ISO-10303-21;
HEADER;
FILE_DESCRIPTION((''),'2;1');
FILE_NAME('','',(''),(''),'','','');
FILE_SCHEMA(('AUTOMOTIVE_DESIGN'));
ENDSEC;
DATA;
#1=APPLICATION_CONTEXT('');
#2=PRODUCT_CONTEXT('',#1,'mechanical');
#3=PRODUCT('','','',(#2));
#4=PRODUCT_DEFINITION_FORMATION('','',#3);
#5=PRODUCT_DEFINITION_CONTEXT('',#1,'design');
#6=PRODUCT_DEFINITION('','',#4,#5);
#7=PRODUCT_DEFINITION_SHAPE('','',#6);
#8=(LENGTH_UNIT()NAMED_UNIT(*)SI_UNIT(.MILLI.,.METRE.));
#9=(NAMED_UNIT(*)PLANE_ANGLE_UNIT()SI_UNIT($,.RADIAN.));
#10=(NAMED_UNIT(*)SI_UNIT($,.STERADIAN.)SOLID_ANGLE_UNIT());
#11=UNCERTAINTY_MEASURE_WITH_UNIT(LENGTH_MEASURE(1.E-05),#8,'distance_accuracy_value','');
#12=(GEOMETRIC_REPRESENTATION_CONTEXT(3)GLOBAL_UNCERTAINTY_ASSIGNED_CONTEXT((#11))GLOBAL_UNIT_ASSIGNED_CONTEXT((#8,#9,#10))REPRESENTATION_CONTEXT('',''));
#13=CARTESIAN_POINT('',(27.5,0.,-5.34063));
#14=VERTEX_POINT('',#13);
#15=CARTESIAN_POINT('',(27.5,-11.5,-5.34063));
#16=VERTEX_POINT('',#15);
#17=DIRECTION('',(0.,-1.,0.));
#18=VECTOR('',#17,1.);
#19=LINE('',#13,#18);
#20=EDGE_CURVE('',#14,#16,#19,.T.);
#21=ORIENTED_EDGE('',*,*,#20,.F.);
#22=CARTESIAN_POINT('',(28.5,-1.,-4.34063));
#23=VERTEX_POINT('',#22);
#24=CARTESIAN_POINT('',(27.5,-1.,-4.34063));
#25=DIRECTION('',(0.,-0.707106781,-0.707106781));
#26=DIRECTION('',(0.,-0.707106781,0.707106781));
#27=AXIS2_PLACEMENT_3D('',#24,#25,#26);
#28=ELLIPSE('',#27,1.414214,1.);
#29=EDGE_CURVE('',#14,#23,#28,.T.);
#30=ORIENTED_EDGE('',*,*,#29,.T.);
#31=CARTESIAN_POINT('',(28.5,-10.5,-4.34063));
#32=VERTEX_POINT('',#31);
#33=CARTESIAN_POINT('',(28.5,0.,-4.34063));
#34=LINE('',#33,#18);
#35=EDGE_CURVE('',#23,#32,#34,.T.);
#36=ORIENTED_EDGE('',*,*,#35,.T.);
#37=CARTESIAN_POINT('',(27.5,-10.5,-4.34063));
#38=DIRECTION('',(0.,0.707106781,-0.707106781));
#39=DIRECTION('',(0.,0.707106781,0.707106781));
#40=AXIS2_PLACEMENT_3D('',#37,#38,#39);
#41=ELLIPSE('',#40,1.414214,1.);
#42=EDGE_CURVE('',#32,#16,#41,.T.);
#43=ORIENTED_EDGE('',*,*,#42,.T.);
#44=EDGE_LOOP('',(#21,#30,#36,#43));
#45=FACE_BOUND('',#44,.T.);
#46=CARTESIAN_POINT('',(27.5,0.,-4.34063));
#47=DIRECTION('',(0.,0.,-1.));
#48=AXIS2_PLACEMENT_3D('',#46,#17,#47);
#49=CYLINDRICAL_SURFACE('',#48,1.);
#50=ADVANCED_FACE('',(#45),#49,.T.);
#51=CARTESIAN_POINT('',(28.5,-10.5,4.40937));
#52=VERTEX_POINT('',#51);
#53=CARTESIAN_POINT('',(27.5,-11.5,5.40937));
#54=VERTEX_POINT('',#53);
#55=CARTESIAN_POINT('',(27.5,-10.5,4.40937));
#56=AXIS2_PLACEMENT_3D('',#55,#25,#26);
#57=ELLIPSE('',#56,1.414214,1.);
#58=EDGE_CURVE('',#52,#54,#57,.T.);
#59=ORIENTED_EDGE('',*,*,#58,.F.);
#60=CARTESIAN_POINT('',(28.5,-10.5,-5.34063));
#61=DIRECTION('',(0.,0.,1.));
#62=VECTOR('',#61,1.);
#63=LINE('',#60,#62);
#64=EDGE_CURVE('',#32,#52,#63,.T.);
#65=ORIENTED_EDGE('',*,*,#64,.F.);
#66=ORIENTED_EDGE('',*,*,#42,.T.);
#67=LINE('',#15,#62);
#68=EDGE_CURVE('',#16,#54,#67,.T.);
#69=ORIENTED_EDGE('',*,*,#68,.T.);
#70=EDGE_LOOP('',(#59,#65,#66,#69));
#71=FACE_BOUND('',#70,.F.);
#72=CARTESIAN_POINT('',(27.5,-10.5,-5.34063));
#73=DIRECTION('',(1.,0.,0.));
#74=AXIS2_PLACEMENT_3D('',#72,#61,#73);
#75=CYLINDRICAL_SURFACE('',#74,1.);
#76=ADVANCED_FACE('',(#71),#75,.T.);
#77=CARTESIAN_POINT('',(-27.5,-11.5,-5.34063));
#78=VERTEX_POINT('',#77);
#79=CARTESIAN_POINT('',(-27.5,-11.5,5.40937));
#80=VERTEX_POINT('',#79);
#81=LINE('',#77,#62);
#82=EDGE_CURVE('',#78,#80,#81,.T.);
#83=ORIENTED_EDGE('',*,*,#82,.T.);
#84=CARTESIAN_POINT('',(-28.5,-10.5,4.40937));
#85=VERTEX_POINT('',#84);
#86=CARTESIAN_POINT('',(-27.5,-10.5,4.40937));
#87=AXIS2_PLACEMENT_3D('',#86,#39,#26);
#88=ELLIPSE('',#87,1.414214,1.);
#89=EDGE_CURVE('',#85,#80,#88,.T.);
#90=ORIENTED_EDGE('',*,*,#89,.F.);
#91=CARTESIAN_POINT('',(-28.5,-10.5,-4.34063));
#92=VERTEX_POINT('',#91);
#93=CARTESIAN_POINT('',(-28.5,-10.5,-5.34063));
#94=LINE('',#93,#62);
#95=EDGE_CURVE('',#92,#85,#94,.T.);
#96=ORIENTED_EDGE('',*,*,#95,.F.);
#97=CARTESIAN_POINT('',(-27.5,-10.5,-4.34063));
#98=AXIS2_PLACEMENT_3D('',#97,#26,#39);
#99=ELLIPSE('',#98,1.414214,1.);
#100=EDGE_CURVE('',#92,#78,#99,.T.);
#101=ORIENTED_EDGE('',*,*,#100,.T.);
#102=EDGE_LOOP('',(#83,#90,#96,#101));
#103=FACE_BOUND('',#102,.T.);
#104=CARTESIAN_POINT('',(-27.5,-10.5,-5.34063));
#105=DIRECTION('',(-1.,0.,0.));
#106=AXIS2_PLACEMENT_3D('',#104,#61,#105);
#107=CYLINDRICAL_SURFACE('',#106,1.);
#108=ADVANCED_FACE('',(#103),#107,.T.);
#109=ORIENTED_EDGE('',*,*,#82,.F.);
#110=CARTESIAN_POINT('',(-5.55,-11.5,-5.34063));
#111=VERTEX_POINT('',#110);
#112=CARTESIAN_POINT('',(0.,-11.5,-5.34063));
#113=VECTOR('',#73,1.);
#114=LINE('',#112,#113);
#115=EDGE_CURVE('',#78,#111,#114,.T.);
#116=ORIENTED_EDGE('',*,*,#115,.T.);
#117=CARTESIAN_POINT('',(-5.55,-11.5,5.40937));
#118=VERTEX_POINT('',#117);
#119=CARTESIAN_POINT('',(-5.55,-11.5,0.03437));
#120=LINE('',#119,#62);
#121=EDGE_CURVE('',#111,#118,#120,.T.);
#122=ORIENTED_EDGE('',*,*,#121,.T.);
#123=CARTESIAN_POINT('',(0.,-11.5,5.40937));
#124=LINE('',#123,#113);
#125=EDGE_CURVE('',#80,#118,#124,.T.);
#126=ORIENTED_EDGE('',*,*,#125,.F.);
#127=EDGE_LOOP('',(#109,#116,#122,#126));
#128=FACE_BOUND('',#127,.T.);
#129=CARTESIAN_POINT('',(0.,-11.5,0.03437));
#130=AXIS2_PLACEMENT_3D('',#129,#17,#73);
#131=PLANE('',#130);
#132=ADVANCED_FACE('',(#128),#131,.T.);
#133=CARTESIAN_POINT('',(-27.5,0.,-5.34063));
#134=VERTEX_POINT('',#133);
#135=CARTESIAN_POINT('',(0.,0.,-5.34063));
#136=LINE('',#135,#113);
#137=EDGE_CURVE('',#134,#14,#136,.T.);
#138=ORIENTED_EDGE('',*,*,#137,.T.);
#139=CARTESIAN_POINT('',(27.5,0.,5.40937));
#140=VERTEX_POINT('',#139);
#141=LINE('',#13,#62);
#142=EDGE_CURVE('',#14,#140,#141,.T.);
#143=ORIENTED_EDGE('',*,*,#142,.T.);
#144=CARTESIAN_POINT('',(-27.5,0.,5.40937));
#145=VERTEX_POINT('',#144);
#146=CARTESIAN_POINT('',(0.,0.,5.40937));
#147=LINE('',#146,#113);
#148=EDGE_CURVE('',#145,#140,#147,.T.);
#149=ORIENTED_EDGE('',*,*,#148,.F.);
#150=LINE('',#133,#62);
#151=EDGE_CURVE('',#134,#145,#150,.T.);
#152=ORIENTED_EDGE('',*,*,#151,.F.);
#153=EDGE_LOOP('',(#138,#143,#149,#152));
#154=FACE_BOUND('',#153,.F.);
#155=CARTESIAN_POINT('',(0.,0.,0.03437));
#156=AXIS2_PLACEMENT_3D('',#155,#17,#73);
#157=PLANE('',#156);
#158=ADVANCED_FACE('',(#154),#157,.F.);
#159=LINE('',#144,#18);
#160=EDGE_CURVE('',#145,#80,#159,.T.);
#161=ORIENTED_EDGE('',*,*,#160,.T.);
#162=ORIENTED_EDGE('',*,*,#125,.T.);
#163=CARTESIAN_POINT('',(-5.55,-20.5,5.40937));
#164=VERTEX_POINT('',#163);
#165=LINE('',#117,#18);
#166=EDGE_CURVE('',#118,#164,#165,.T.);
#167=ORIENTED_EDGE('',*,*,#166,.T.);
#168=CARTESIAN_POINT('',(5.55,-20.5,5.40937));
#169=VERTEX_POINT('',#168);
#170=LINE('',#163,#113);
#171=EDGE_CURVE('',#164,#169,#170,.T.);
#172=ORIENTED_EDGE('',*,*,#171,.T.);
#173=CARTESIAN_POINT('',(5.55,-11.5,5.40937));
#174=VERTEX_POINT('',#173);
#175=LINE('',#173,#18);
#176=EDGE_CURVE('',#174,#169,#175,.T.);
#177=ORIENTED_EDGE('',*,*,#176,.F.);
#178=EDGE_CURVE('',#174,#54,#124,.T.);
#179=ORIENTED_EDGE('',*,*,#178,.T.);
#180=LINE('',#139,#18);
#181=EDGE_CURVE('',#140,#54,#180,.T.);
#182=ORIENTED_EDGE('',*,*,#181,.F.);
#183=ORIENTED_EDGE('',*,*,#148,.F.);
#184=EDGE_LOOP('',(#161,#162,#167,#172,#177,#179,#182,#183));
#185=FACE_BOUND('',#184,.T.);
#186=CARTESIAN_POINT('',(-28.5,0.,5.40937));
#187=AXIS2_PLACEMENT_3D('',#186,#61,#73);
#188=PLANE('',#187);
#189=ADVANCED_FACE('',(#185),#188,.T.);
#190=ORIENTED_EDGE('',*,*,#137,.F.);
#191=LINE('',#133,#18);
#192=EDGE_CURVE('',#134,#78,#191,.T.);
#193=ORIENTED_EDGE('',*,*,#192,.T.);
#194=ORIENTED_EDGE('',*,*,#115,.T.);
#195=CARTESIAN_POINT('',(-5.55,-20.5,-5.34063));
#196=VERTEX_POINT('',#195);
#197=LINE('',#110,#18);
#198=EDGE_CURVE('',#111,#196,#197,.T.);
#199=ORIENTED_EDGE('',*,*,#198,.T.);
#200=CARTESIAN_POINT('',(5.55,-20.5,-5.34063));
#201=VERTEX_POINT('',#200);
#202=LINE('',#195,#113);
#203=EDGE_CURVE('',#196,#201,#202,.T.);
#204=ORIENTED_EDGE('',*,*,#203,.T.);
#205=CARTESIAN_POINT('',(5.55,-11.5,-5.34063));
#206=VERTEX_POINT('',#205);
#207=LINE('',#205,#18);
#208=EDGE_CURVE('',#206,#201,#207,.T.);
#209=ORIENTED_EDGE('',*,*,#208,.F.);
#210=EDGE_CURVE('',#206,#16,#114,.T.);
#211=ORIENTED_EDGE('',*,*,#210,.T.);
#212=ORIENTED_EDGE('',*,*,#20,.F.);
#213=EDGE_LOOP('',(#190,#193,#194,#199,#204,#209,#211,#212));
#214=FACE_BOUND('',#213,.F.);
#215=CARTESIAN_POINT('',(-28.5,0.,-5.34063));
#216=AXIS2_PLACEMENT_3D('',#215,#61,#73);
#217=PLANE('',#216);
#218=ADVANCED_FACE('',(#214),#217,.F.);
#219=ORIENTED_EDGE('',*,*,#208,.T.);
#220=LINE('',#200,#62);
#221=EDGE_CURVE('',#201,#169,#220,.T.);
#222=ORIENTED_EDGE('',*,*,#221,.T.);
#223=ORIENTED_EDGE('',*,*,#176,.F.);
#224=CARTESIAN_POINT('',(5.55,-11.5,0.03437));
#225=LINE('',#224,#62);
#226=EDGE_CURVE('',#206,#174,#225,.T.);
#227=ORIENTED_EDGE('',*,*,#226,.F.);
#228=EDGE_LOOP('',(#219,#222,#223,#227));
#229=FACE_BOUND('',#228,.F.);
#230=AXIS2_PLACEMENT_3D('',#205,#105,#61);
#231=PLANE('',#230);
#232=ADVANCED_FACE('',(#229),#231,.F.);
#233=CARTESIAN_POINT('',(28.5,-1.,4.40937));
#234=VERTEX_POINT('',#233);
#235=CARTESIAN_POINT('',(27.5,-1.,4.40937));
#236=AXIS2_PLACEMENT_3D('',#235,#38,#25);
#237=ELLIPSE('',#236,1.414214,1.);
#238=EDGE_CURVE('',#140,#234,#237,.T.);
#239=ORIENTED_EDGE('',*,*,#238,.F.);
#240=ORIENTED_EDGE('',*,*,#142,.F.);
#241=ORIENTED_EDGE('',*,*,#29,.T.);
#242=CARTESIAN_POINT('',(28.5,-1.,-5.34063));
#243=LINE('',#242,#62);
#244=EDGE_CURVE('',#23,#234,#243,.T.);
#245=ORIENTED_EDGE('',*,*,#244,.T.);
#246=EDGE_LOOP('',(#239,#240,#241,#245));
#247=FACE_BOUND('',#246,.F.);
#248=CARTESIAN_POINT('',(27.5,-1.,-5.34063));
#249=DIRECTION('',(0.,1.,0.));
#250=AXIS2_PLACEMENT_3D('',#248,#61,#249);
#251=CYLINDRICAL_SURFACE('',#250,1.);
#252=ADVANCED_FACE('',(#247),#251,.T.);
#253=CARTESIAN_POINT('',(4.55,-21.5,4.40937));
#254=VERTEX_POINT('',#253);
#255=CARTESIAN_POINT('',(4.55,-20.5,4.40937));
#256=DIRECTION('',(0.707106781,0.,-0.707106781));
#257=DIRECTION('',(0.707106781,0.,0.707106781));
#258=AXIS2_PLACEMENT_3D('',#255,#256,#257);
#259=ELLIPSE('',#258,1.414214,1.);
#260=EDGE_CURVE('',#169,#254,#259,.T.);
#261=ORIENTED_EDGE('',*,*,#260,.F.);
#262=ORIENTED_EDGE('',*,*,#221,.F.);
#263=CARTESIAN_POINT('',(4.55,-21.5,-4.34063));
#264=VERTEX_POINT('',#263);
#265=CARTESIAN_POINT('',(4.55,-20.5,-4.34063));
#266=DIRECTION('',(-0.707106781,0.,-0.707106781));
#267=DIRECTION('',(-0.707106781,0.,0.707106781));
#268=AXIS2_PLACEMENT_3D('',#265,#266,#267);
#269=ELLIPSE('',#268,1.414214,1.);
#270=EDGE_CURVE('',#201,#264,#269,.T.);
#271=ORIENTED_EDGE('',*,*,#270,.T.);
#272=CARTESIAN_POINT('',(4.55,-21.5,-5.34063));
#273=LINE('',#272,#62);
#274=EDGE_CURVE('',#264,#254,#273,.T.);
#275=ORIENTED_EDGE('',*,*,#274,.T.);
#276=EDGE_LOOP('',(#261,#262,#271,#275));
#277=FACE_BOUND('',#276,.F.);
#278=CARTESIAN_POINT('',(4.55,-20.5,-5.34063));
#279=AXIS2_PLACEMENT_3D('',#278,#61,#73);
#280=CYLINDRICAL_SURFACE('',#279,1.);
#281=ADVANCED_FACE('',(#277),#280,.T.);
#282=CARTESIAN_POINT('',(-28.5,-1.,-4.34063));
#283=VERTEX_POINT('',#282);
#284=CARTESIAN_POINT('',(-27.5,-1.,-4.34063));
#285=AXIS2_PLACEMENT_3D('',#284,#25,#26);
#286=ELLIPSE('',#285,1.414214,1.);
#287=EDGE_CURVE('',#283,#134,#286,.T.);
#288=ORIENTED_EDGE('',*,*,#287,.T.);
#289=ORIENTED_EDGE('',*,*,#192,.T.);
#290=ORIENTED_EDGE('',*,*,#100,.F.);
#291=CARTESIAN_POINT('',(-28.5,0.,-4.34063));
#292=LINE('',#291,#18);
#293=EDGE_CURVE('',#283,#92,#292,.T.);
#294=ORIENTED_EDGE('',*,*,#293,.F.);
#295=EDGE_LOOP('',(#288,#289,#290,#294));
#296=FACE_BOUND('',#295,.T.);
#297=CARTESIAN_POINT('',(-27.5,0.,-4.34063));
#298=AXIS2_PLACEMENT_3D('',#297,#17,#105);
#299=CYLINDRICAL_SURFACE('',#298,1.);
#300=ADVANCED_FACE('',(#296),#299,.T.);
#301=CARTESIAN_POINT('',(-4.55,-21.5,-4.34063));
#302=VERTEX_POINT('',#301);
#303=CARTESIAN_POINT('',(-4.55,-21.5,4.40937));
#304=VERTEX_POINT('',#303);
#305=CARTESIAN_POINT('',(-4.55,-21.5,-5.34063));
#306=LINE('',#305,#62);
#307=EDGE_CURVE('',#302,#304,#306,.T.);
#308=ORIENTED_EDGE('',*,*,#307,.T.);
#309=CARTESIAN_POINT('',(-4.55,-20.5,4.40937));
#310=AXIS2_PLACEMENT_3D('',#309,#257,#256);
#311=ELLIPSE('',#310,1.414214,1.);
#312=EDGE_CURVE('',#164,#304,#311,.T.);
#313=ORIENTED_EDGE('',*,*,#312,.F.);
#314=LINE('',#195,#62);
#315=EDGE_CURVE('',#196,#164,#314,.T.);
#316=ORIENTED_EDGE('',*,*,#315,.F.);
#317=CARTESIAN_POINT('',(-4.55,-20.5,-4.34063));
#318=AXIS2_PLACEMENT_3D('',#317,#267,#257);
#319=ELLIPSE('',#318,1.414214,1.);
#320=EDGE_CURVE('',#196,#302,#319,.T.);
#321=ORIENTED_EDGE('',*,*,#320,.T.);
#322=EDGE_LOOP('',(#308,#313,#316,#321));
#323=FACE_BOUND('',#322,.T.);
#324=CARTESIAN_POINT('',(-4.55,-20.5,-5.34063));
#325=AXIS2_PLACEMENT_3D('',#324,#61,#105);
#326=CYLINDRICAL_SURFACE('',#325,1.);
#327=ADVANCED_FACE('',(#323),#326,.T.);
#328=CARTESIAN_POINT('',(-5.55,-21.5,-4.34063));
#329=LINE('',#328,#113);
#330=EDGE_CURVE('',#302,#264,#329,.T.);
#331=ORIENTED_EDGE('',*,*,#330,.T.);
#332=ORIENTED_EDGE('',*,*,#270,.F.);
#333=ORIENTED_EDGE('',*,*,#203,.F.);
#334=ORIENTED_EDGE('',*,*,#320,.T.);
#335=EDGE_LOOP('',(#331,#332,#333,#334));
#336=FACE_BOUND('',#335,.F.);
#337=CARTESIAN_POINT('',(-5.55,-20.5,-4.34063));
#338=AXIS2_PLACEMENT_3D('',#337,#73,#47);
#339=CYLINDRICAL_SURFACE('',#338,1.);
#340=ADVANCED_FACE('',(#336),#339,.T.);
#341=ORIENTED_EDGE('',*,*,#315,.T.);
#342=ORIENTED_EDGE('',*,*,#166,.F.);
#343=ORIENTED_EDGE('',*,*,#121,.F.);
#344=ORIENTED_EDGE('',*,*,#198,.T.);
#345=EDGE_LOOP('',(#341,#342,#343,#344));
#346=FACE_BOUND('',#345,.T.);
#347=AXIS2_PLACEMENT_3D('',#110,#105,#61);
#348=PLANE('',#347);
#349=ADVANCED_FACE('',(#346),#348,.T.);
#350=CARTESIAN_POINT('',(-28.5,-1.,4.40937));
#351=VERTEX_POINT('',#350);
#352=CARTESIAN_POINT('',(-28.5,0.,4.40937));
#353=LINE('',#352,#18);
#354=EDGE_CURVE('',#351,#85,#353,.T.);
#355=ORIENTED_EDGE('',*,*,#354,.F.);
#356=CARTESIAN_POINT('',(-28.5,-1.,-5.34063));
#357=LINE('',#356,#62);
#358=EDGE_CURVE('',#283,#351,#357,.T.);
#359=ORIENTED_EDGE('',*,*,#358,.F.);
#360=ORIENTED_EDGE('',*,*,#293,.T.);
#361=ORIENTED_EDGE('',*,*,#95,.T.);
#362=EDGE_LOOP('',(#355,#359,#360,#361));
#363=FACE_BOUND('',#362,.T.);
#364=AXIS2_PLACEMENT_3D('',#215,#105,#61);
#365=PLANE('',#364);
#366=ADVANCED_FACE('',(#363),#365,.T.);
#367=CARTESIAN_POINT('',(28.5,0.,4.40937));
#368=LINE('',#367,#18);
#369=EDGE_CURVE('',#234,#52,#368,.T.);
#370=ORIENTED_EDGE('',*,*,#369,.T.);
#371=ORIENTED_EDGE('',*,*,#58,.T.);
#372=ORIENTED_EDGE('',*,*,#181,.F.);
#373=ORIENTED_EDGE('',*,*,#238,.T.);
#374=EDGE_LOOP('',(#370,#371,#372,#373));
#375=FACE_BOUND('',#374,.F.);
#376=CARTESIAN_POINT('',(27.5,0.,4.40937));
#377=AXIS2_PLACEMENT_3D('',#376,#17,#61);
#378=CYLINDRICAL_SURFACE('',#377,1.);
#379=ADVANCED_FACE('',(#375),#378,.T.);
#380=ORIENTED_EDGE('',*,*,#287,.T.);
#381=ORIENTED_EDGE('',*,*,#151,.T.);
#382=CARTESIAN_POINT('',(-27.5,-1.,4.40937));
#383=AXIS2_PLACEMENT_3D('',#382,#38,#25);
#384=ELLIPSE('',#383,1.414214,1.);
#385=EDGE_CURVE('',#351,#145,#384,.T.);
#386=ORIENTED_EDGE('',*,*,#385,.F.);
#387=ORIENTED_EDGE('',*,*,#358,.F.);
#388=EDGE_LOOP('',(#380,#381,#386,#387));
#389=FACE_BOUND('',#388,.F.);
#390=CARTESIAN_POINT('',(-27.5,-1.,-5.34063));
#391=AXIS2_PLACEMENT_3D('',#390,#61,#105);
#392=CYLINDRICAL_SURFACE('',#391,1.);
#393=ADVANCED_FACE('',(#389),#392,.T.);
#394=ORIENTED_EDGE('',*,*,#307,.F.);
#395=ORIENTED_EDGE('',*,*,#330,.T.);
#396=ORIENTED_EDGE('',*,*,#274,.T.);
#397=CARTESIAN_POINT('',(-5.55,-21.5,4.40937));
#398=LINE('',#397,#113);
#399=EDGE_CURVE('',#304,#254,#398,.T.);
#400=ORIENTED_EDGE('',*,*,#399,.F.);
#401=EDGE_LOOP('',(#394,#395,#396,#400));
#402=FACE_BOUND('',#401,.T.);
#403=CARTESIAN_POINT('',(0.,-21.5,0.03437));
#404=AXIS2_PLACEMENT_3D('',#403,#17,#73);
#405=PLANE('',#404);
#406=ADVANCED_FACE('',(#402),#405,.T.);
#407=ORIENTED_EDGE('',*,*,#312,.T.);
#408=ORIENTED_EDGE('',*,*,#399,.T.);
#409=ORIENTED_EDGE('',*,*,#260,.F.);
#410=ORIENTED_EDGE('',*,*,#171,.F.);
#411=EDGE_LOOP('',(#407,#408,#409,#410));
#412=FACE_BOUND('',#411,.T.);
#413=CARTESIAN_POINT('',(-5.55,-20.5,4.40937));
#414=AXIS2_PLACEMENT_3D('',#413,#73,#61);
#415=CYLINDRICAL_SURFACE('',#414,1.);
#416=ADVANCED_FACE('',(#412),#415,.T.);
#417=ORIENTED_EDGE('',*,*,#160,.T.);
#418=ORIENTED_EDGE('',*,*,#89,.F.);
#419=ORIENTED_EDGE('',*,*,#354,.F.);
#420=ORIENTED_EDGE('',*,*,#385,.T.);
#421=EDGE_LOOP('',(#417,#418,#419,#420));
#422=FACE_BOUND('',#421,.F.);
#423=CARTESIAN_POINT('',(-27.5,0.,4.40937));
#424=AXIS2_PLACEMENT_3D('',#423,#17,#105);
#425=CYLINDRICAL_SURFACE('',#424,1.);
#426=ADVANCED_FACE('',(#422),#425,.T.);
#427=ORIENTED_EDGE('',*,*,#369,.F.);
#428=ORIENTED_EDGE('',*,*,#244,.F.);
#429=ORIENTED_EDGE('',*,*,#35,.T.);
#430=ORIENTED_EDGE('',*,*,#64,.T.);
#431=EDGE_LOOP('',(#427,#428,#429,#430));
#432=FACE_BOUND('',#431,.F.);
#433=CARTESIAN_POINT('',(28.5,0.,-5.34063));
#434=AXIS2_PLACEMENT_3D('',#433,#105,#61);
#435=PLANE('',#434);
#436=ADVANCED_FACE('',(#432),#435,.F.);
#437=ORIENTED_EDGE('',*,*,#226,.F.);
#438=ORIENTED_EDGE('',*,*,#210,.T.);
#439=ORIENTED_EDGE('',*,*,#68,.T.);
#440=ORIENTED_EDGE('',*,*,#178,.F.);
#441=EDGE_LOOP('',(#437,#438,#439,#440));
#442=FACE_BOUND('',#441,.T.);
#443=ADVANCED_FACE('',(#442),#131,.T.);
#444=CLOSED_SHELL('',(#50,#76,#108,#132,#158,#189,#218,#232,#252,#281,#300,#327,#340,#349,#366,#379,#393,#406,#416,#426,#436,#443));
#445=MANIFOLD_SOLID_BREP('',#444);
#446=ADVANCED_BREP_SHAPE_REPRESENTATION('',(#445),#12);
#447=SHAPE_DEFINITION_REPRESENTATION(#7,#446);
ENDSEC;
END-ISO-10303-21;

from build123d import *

# Parameters (mm, degrees)
F0_W     = 57
F0_H     = 10.75
F1_DEPTH = 11.5
F2_W     = 11.1
F2_H     = 10.75
F3_DEPTH = 10
F4_R     = 1


with BuildPart() as f1:
    # F0 (on Front) → F1 (new body)
    with BuildSketch(Plane.XZ):
        with Locations((0, 0.0343695283)):
            Rectangle(F0_W, F0_H)
    extrude(amount=F1_DEPTH)

    # F2 (on face) → F3 (join)
    with BuildSketch(Plane.XZ.offset(11.5)):
        with Locations((0, 0.0343695283)):
            Rectangle(F2_W, F2_H)
    extrude(amount=F3_DEPTH)

    # F4
    f4_edges = [f1.edges().sort_by_distance(p)[0] for p in [
        (5.55, -21.5, 0.03437),
        (0, -21.5, 5.40937),
        (-5.55, -21.5, 0.03437),
        (0, -21.5, -5.34063),
        (28.5, -11.5, 0.03437),
        (28.5, -5.75, 5.40937),
        (28.5, -5.75, -5.34063),
        (28.5, 0, 0.03437),
        (-28.5, -5.75, 5.40937),
        (-28.5, -11.5, 0.03437),
        (-28.5, -5.75, -5.34063),
        (-28.5, 0, 0.03437),
    ]]
    fillet(f4_edges, radius=F4_R)


solid = f1.part
